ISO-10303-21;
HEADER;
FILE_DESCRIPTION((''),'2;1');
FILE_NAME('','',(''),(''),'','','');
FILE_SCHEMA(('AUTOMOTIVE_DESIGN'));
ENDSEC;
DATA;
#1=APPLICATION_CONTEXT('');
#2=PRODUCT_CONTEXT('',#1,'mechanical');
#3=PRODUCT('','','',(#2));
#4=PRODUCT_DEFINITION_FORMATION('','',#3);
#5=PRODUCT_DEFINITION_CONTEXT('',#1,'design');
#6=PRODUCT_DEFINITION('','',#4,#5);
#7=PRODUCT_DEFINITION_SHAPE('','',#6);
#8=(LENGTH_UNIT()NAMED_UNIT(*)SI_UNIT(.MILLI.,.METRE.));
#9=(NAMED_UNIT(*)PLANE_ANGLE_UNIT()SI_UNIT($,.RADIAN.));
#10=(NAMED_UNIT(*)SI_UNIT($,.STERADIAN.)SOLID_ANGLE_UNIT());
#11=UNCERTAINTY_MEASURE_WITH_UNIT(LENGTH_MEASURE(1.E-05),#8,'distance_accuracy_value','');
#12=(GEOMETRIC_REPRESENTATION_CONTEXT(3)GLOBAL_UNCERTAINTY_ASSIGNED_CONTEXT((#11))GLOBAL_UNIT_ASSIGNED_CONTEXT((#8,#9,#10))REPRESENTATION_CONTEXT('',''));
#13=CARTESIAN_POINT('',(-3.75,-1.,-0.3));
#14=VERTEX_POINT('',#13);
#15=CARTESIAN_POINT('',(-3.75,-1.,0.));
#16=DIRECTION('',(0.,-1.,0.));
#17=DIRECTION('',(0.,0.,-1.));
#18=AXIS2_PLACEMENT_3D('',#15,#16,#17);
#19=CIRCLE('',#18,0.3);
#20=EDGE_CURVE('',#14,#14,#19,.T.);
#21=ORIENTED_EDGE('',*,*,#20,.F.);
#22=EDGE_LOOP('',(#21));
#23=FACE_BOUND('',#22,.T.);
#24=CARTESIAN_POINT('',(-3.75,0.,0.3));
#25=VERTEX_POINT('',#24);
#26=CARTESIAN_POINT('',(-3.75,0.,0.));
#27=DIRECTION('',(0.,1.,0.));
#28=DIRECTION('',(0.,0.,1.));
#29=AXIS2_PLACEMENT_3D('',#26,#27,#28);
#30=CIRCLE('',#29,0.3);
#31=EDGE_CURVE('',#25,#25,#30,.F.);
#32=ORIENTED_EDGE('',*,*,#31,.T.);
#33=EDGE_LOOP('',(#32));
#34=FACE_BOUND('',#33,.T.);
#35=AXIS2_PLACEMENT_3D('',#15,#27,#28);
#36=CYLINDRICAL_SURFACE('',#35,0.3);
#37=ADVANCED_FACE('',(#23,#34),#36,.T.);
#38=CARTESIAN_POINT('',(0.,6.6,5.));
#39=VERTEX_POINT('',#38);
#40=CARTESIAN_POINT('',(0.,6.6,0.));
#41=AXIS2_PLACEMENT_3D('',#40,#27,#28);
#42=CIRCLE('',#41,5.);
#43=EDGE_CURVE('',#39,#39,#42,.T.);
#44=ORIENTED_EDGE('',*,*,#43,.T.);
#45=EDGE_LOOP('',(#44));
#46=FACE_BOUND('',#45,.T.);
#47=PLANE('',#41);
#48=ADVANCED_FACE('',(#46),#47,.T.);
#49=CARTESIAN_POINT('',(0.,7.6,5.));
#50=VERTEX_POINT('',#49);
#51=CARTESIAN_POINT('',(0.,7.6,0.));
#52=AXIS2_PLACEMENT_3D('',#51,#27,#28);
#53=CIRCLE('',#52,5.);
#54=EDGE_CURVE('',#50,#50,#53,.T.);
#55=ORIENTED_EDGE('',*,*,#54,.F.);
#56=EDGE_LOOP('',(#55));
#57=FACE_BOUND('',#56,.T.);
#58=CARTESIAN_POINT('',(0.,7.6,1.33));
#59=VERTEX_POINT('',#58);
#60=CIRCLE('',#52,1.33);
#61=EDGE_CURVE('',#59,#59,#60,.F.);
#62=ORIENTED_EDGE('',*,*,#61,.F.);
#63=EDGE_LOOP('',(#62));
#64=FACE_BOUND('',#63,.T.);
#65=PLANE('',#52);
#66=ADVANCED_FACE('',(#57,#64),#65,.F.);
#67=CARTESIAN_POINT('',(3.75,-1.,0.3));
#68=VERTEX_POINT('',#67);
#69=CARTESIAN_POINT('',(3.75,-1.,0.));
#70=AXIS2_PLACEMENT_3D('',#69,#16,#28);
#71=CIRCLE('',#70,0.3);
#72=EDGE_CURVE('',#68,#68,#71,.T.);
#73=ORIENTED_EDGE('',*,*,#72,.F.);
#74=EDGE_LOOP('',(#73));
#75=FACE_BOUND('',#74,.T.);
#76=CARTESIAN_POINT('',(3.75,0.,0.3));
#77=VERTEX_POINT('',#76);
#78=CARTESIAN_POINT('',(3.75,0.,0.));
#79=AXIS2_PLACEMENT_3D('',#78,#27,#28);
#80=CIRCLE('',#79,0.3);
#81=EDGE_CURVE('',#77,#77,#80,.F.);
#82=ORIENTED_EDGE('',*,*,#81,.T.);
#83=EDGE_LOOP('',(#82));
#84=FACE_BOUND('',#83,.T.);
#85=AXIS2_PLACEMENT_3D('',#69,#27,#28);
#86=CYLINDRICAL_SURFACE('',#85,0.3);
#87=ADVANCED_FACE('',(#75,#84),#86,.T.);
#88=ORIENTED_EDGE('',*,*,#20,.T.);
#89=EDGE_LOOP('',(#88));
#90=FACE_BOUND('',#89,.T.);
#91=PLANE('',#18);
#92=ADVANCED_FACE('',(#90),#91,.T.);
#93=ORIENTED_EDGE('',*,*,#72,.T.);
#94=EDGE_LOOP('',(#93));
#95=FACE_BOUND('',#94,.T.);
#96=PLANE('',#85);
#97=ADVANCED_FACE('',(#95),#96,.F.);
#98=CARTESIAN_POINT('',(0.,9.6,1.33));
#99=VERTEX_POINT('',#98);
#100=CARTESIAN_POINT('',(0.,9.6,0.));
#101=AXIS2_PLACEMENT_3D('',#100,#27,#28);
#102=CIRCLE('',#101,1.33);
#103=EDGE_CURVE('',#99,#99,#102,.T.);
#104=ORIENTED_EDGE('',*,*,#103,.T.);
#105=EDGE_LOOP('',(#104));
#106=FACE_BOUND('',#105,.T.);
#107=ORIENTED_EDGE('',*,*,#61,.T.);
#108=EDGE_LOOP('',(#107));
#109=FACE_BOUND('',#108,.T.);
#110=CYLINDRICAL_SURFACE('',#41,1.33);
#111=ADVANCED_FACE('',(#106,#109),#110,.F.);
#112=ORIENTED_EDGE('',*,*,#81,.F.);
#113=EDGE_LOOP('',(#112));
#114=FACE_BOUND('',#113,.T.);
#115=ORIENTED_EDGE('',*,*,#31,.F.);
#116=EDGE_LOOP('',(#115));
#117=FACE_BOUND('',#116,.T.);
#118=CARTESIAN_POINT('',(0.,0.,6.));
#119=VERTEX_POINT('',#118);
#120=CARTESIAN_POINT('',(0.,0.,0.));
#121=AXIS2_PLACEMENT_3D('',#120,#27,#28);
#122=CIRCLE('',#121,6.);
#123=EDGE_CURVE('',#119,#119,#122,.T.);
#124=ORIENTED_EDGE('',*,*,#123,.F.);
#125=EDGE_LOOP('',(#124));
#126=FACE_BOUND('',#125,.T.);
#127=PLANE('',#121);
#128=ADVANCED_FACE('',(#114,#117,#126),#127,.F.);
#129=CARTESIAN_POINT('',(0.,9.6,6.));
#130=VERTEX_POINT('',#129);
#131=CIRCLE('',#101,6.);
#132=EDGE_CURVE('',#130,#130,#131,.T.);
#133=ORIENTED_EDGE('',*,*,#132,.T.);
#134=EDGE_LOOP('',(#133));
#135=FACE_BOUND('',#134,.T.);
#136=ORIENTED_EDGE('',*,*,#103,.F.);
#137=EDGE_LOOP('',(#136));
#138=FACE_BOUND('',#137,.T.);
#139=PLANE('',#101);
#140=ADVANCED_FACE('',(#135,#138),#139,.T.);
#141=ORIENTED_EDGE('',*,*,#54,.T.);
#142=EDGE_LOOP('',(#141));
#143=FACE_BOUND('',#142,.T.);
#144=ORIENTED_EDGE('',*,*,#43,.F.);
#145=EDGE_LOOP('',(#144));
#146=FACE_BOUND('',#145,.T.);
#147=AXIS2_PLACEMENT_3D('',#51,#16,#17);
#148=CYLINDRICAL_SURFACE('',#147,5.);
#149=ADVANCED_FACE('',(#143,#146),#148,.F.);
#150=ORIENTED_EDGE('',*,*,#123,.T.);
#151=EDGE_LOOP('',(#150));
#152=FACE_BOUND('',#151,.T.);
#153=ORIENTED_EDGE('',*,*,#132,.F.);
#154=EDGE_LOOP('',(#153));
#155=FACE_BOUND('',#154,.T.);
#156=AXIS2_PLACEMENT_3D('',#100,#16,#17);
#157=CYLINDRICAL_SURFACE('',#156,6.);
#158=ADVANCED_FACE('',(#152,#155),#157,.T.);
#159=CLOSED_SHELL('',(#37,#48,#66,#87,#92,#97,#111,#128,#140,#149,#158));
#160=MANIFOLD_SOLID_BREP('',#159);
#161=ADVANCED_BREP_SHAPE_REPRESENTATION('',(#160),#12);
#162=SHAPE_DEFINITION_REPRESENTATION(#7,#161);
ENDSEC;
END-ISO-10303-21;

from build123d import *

# Parameters (mm, degrees)
SKETCH1_R           = 6
BOSS_EXTRUDE1_DEPTH = 9.6
SKETCH2_R           = 1.33
CUT_EXTRUDE1_DEPTH  = 3
SKETCH3_R           = 5
CUT_EXTRUDE2_DEPTH  = 1
SKETCH4_R           = 0.3
BOSS_EXTRUDE2_DEPTH = 1


with BuildPart() as part:
    # Sketch1 → Boss-Extrude1 (new body)
    with BuildSketch(Plane(origin=(0, 0, 0), x_dir=(1, 0, 0), z_dir=(0, 1, 0))):
        Circle(SKETCH1_R)
    extrude(amount=BOSS_EXTRUDE1_DEPTH)

    # Sketch2 → Cut-Extrude1 (cut)
    with BuildSketch(Plane(origin=(0, 9.6, 0), x_dir=(1, 0, 0), z_dir=(0, 1, 0))):
        Circle(SKETCH2_R)
    extrude(amount=-CUT_EXTRUDE1_DEPTH, mode=Mode.SUBTRACT)

    # Sketch3 → Cut-Extrude2 (cut)
    with BuildSketch(Plane(origin=(0, 6.6, 0), x_dir=(1, 0, 0), z_dir=(0, 1, 0))):
        Circle(SKETCH3_R)
    extrude(amount=CUT_EXTRUDE2_DEPTH, mode=Mode.SUBTRACT)

    # Sketch4 → Boss-Extrude2 (add)
    with BuildSketch(Plane.XZ):
        with Locations((-3.75, 0)):
            Circle(SKETCH4_R)
        with Locations((3.75, 0)):
            Circle(SKETCH4_R)
    extrude(amount=BOSS_EXTRUDE2_DEPTH)


solid = part.part
